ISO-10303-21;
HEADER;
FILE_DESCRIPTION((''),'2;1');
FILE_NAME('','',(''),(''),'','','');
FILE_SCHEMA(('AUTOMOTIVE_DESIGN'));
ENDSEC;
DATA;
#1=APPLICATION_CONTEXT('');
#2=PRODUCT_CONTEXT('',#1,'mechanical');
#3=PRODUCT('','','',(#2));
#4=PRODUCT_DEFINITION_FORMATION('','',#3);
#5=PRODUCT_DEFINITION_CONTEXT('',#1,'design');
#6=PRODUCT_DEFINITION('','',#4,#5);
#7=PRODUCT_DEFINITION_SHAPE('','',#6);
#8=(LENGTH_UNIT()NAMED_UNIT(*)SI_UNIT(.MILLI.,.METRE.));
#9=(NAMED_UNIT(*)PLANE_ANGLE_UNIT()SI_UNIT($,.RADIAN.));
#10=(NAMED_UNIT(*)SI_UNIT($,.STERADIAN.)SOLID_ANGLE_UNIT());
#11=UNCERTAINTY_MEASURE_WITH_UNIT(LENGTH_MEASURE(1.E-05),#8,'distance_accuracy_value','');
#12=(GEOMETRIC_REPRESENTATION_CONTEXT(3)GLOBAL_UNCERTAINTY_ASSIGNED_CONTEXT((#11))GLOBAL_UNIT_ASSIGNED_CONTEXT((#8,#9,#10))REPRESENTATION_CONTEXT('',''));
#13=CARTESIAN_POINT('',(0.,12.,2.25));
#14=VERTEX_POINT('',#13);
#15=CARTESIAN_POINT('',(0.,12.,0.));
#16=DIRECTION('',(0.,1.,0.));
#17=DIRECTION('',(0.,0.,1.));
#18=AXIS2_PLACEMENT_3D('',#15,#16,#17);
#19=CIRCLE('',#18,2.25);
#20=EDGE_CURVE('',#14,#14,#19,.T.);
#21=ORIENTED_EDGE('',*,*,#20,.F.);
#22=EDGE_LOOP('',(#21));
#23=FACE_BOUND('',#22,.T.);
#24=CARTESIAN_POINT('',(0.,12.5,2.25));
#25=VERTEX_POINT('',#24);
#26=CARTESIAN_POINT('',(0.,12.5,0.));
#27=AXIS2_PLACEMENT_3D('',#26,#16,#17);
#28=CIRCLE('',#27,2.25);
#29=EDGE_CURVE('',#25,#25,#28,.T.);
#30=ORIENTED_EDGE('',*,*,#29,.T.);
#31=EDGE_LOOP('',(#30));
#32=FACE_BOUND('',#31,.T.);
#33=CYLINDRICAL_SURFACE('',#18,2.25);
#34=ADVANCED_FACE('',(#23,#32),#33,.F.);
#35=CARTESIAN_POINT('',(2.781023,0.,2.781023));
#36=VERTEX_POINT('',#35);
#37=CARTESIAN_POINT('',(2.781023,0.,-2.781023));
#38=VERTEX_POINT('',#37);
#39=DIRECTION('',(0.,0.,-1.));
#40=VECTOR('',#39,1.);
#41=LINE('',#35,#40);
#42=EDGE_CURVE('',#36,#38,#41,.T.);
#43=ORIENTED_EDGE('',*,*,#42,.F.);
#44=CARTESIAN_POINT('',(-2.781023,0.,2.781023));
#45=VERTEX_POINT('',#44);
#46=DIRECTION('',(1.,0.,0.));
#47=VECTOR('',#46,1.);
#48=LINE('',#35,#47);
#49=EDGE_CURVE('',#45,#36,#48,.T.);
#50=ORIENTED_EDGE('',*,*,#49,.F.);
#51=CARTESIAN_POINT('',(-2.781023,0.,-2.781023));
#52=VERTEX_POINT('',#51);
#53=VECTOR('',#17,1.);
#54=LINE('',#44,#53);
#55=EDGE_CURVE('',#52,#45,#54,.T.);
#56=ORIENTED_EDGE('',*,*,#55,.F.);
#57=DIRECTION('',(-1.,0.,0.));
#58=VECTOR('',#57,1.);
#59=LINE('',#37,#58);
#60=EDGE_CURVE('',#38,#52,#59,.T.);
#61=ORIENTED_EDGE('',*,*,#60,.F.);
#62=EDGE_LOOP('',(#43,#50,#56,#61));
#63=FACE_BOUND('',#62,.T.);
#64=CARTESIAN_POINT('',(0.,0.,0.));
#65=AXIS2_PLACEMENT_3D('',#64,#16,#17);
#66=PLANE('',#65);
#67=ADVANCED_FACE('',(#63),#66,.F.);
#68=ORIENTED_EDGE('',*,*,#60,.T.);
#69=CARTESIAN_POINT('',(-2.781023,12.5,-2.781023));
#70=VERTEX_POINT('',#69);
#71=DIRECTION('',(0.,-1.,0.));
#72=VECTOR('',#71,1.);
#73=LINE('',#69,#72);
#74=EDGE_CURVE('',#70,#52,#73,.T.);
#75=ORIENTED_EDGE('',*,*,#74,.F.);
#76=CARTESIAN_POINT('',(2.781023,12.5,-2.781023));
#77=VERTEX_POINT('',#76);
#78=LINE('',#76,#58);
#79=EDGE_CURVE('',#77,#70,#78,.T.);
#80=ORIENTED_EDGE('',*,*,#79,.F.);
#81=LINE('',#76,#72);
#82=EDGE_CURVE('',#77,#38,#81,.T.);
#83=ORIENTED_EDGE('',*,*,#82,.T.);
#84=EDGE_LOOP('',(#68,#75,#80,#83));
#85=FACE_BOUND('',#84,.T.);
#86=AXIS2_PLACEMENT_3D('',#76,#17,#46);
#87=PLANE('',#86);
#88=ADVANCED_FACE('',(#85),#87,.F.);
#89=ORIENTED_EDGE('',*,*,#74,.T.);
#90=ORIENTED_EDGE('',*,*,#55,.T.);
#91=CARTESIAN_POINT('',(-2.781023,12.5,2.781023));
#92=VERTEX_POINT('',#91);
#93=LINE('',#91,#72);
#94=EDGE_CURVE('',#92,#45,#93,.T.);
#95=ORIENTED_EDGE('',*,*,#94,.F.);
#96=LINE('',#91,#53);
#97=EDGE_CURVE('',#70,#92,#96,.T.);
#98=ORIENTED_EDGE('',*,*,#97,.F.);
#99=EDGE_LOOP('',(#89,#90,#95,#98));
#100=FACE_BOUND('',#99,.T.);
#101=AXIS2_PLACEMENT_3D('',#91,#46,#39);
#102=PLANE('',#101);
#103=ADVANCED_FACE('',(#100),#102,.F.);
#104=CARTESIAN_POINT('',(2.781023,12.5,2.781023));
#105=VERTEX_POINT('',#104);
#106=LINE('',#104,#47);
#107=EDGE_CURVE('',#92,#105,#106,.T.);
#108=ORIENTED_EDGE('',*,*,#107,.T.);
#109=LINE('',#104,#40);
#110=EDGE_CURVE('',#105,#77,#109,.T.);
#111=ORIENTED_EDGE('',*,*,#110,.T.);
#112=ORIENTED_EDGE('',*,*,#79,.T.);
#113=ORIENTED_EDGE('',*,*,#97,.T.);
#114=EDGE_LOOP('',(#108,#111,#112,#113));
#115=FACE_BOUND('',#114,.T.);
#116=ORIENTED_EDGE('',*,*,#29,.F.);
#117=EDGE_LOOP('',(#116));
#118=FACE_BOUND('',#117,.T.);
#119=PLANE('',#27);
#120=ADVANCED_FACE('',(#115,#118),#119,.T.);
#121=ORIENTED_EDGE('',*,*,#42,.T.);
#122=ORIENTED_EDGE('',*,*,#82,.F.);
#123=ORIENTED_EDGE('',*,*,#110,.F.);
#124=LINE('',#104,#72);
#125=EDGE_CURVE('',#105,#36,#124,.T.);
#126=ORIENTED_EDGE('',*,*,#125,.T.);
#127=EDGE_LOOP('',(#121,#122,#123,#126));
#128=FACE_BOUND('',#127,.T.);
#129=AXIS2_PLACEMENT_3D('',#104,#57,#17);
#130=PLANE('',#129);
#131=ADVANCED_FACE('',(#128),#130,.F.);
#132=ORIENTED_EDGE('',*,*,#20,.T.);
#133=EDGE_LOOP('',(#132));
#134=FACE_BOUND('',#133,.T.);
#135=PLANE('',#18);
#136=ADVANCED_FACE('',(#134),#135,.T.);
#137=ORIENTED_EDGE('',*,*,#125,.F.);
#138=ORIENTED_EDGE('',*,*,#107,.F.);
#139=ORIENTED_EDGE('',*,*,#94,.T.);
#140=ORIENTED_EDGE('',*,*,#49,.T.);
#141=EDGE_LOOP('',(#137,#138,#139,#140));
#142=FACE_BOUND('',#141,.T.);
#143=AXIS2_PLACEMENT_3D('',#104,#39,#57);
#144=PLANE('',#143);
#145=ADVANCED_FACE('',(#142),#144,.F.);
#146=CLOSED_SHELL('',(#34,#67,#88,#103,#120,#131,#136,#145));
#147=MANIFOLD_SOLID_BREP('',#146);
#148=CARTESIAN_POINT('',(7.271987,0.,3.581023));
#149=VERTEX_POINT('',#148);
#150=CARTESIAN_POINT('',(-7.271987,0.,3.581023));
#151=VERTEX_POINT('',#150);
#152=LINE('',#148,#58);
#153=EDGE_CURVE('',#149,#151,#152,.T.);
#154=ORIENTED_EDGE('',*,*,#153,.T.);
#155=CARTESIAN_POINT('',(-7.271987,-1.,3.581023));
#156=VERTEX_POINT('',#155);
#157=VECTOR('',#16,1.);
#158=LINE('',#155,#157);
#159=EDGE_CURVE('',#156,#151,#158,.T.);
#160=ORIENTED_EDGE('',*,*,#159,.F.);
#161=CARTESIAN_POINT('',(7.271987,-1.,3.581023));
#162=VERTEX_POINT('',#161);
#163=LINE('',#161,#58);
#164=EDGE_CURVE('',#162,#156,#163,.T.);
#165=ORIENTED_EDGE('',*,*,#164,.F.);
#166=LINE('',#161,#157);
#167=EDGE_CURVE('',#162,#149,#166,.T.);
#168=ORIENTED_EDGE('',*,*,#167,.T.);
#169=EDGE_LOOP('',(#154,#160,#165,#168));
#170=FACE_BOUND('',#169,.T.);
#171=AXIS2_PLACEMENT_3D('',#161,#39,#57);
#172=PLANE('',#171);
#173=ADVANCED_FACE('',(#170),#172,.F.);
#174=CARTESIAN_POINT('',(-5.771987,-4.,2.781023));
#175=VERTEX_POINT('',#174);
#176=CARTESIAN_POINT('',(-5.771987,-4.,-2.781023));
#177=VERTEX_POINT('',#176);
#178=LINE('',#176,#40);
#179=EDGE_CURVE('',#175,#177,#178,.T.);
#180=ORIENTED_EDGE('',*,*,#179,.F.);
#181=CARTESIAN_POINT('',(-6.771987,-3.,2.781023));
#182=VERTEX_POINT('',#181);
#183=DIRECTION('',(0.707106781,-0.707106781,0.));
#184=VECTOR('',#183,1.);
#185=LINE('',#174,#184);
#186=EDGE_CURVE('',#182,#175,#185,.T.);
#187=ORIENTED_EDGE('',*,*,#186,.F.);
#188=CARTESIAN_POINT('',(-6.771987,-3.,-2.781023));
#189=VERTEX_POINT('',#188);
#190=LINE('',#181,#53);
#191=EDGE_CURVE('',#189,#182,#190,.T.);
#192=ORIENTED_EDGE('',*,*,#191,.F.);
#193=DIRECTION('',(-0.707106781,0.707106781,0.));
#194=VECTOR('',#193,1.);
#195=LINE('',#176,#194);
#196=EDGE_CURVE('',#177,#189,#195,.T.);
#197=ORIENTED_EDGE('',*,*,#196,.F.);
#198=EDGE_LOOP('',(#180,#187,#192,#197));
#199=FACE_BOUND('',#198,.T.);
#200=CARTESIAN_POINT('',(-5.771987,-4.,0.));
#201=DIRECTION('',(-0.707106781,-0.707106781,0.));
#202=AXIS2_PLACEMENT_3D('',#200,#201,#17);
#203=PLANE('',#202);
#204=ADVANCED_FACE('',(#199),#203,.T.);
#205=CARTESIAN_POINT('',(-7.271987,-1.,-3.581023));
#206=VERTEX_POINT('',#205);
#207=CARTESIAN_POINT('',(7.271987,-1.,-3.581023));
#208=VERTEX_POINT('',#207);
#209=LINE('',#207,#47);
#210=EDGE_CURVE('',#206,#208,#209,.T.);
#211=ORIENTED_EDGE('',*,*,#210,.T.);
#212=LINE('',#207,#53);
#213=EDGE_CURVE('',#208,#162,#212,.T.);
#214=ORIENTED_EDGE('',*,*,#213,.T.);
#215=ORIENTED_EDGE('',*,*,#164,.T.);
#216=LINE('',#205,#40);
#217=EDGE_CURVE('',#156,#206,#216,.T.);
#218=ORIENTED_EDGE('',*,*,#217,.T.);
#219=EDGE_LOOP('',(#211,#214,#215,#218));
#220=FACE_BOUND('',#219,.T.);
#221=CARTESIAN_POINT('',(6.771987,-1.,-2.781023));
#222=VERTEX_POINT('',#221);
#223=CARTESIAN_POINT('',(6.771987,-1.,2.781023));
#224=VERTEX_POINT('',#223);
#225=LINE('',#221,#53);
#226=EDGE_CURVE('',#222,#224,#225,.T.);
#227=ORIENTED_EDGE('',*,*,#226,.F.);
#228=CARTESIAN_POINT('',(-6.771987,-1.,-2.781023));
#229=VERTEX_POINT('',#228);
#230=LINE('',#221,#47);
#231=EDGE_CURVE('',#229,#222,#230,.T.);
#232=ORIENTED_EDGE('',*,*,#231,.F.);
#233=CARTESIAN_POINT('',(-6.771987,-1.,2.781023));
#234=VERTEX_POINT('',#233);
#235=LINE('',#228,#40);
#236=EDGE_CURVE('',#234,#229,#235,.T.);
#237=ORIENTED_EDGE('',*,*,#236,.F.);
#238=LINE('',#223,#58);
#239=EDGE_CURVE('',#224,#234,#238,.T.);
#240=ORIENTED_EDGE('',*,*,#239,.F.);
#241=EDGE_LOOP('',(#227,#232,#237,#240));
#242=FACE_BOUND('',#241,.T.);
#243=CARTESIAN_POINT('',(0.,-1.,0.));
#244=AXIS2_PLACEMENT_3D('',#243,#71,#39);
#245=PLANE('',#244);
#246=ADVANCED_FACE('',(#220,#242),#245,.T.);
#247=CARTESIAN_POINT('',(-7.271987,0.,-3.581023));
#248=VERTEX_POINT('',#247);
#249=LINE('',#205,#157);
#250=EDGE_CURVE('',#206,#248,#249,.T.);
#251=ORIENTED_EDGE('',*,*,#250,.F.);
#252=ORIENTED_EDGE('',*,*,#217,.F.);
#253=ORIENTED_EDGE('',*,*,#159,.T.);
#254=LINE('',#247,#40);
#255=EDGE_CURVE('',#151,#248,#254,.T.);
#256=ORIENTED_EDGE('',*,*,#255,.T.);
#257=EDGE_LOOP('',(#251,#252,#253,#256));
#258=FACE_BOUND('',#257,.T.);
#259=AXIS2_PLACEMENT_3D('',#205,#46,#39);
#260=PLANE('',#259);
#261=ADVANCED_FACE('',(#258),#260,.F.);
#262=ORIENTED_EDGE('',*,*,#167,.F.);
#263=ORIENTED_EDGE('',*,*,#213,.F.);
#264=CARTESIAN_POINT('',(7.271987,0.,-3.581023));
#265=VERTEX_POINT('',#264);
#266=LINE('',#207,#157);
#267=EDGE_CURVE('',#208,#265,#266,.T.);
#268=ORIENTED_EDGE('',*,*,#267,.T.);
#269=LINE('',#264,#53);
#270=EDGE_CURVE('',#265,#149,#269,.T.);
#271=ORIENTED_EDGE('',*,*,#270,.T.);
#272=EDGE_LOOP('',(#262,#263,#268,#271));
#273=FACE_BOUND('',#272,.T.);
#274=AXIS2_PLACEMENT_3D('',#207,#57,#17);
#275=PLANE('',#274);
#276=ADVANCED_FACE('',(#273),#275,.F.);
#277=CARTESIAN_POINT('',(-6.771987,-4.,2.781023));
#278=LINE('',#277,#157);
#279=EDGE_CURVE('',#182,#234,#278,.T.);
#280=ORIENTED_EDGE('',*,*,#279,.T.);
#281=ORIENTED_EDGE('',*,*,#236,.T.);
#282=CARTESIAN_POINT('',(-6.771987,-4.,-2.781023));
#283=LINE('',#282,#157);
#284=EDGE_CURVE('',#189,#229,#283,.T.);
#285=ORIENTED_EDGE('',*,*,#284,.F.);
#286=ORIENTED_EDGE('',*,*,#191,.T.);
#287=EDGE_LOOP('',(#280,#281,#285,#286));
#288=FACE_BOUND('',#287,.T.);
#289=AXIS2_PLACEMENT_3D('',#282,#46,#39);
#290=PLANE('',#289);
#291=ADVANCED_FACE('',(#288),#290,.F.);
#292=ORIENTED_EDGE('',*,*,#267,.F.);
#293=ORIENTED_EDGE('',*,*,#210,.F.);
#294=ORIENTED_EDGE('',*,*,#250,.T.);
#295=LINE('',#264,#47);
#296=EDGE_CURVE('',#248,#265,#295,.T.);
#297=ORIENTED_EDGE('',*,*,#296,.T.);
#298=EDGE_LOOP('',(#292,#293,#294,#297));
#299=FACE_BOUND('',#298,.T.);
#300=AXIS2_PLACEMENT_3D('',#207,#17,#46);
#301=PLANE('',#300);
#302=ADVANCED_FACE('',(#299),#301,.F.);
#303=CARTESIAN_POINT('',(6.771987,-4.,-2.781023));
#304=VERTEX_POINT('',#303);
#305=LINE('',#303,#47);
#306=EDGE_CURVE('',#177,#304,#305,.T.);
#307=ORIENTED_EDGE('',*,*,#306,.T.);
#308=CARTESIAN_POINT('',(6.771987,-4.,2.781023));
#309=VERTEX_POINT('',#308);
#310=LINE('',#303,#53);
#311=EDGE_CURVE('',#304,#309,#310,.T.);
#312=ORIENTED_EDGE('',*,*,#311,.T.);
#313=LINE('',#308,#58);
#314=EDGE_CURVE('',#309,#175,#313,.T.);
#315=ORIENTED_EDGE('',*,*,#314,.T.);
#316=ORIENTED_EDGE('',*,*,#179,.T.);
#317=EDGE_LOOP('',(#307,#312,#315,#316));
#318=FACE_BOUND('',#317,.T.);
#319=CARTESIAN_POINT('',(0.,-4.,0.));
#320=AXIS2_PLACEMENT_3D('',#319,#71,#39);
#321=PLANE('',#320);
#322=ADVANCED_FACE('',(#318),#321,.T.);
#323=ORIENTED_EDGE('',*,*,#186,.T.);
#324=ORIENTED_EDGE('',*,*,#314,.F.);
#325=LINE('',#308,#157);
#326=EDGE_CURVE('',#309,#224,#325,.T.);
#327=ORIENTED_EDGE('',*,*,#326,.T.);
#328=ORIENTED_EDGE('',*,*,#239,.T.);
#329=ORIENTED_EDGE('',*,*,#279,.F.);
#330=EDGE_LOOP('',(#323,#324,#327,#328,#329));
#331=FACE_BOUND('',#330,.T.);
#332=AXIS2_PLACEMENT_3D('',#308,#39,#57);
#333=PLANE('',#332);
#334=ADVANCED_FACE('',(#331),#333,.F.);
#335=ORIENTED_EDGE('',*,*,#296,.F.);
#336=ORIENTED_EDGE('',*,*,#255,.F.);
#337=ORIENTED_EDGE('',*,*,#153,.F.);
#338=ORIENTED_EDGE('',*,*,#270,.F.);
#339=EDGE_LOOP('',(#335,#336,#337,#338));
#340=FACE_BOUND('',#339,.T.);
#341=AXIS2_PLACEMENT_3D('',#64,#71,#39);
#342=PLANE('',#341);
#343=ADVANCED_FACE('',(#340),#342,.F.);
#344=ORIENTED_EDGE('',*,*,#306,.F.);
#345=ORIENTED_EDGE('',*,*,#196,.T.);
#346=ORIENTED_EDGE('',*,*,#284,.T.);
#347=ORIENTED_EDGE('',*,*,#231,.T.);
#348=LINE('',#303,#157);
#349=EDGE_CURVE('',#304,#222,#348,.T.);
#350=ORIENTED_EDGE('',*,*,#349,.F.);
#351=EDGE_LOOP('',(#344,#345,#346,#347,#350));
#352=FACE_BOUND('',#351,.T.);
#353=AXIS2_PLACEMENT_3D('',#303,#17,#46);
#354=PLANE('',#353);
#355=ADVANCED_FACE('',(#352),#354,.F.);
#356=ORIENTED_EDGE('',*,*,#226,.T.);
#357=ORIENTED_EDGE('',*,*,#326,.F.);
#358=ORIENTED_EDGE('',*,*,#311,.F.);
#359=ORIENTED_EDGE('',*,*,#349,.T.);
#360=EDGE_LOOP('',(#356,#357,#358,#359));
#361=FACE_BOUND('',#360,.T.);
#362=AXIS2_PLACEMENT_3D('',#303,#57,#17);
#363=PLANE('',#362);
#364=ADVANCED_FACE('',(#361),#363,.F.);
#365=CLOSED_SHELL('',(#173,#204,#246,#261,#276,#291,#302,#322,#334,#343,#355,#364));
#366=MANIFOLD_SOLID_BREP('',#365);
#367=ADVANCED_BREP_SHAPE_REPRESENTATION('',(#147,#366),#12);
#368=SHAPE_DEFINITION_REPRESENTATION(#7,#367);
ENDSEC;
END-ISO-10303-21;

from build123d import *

# Parameters (mm, degrees)
SKETCH_1_W          = 5.562046036
SKETCH_1_H          = 5.562046036
EXTRUDE_2_DEPTH     = 12.5
SKETCH_5_R          = 2.25
CUT_EXTRUDE_2_DEPTH = 0.5
SKETCH_6_W          = 14.543974178
SKETCH_6_H          = 7.162046036
EXTRUDE_3_DEPTH     = 1
SKETCH_7_W          = 13.543974178
SKETCH_7_H          = 5.562046036
EXTRUDE_4_DEPTH     = 3
CHAMFER_2_SIZE      = 1


with BuildPart() as part:
    # Эскиз1 → Бобышка-Вытянуть2 (new body)
    with BuildSketch(Plane(origin=(0, 0, 0), x_dir=(1, 0, 0), z_dir=(0, 1, 0))):
        Rectangle(SKETCH_1_W, SKETCH_1_H)
    extrude(amount=EXTRUDE_2_DEPTH)

    # Эскиз5 → Вырез-Вытянуть2 (cut)
    with BuildSketch(Plane(origin=(0, 12.5, 0), x_dir=(1, 0, 0), z_dir=(0, 1, 0))):
        with Locations(Location((0, 0, 0), (0, 0, 270))):
            Circle(SKETCH_5_R)
    extrude(amount=-CUT_EXTRUDE_2_DEPTH, mode=Mode.SUBTRACT)


with BuildPart() as body_2:
    # Эскиз6 → Бобышка-Вытянуть3 (new body)
    with BuildSketch(Plane.XZ):
        Rectangle(SKETCH_6_W, SKETCH_6_H)
    extrude(amount=EXTRUDE_3_DEPTH)

    # Эскиз7 → Бобышка-Вытянуть4 (add)
    with BuildSketch(Plane.XZ.offset(1)):
        Rectangle(SKETCH_7_W, SKETCH_7_H)
    extrude(amount=EXTRUDE_4_DEPTH)

    # Фаска2
    chamfer_2_edges = [body_2.edges().sort_by_distance(p)[0] for p in [
        (-6.771987089, -4, 0),
    ]]
    chamfer(chamfer_2_edges, length=CHAMFER_2_SIZE)


solid = Compound([part.part, body_2.part])
